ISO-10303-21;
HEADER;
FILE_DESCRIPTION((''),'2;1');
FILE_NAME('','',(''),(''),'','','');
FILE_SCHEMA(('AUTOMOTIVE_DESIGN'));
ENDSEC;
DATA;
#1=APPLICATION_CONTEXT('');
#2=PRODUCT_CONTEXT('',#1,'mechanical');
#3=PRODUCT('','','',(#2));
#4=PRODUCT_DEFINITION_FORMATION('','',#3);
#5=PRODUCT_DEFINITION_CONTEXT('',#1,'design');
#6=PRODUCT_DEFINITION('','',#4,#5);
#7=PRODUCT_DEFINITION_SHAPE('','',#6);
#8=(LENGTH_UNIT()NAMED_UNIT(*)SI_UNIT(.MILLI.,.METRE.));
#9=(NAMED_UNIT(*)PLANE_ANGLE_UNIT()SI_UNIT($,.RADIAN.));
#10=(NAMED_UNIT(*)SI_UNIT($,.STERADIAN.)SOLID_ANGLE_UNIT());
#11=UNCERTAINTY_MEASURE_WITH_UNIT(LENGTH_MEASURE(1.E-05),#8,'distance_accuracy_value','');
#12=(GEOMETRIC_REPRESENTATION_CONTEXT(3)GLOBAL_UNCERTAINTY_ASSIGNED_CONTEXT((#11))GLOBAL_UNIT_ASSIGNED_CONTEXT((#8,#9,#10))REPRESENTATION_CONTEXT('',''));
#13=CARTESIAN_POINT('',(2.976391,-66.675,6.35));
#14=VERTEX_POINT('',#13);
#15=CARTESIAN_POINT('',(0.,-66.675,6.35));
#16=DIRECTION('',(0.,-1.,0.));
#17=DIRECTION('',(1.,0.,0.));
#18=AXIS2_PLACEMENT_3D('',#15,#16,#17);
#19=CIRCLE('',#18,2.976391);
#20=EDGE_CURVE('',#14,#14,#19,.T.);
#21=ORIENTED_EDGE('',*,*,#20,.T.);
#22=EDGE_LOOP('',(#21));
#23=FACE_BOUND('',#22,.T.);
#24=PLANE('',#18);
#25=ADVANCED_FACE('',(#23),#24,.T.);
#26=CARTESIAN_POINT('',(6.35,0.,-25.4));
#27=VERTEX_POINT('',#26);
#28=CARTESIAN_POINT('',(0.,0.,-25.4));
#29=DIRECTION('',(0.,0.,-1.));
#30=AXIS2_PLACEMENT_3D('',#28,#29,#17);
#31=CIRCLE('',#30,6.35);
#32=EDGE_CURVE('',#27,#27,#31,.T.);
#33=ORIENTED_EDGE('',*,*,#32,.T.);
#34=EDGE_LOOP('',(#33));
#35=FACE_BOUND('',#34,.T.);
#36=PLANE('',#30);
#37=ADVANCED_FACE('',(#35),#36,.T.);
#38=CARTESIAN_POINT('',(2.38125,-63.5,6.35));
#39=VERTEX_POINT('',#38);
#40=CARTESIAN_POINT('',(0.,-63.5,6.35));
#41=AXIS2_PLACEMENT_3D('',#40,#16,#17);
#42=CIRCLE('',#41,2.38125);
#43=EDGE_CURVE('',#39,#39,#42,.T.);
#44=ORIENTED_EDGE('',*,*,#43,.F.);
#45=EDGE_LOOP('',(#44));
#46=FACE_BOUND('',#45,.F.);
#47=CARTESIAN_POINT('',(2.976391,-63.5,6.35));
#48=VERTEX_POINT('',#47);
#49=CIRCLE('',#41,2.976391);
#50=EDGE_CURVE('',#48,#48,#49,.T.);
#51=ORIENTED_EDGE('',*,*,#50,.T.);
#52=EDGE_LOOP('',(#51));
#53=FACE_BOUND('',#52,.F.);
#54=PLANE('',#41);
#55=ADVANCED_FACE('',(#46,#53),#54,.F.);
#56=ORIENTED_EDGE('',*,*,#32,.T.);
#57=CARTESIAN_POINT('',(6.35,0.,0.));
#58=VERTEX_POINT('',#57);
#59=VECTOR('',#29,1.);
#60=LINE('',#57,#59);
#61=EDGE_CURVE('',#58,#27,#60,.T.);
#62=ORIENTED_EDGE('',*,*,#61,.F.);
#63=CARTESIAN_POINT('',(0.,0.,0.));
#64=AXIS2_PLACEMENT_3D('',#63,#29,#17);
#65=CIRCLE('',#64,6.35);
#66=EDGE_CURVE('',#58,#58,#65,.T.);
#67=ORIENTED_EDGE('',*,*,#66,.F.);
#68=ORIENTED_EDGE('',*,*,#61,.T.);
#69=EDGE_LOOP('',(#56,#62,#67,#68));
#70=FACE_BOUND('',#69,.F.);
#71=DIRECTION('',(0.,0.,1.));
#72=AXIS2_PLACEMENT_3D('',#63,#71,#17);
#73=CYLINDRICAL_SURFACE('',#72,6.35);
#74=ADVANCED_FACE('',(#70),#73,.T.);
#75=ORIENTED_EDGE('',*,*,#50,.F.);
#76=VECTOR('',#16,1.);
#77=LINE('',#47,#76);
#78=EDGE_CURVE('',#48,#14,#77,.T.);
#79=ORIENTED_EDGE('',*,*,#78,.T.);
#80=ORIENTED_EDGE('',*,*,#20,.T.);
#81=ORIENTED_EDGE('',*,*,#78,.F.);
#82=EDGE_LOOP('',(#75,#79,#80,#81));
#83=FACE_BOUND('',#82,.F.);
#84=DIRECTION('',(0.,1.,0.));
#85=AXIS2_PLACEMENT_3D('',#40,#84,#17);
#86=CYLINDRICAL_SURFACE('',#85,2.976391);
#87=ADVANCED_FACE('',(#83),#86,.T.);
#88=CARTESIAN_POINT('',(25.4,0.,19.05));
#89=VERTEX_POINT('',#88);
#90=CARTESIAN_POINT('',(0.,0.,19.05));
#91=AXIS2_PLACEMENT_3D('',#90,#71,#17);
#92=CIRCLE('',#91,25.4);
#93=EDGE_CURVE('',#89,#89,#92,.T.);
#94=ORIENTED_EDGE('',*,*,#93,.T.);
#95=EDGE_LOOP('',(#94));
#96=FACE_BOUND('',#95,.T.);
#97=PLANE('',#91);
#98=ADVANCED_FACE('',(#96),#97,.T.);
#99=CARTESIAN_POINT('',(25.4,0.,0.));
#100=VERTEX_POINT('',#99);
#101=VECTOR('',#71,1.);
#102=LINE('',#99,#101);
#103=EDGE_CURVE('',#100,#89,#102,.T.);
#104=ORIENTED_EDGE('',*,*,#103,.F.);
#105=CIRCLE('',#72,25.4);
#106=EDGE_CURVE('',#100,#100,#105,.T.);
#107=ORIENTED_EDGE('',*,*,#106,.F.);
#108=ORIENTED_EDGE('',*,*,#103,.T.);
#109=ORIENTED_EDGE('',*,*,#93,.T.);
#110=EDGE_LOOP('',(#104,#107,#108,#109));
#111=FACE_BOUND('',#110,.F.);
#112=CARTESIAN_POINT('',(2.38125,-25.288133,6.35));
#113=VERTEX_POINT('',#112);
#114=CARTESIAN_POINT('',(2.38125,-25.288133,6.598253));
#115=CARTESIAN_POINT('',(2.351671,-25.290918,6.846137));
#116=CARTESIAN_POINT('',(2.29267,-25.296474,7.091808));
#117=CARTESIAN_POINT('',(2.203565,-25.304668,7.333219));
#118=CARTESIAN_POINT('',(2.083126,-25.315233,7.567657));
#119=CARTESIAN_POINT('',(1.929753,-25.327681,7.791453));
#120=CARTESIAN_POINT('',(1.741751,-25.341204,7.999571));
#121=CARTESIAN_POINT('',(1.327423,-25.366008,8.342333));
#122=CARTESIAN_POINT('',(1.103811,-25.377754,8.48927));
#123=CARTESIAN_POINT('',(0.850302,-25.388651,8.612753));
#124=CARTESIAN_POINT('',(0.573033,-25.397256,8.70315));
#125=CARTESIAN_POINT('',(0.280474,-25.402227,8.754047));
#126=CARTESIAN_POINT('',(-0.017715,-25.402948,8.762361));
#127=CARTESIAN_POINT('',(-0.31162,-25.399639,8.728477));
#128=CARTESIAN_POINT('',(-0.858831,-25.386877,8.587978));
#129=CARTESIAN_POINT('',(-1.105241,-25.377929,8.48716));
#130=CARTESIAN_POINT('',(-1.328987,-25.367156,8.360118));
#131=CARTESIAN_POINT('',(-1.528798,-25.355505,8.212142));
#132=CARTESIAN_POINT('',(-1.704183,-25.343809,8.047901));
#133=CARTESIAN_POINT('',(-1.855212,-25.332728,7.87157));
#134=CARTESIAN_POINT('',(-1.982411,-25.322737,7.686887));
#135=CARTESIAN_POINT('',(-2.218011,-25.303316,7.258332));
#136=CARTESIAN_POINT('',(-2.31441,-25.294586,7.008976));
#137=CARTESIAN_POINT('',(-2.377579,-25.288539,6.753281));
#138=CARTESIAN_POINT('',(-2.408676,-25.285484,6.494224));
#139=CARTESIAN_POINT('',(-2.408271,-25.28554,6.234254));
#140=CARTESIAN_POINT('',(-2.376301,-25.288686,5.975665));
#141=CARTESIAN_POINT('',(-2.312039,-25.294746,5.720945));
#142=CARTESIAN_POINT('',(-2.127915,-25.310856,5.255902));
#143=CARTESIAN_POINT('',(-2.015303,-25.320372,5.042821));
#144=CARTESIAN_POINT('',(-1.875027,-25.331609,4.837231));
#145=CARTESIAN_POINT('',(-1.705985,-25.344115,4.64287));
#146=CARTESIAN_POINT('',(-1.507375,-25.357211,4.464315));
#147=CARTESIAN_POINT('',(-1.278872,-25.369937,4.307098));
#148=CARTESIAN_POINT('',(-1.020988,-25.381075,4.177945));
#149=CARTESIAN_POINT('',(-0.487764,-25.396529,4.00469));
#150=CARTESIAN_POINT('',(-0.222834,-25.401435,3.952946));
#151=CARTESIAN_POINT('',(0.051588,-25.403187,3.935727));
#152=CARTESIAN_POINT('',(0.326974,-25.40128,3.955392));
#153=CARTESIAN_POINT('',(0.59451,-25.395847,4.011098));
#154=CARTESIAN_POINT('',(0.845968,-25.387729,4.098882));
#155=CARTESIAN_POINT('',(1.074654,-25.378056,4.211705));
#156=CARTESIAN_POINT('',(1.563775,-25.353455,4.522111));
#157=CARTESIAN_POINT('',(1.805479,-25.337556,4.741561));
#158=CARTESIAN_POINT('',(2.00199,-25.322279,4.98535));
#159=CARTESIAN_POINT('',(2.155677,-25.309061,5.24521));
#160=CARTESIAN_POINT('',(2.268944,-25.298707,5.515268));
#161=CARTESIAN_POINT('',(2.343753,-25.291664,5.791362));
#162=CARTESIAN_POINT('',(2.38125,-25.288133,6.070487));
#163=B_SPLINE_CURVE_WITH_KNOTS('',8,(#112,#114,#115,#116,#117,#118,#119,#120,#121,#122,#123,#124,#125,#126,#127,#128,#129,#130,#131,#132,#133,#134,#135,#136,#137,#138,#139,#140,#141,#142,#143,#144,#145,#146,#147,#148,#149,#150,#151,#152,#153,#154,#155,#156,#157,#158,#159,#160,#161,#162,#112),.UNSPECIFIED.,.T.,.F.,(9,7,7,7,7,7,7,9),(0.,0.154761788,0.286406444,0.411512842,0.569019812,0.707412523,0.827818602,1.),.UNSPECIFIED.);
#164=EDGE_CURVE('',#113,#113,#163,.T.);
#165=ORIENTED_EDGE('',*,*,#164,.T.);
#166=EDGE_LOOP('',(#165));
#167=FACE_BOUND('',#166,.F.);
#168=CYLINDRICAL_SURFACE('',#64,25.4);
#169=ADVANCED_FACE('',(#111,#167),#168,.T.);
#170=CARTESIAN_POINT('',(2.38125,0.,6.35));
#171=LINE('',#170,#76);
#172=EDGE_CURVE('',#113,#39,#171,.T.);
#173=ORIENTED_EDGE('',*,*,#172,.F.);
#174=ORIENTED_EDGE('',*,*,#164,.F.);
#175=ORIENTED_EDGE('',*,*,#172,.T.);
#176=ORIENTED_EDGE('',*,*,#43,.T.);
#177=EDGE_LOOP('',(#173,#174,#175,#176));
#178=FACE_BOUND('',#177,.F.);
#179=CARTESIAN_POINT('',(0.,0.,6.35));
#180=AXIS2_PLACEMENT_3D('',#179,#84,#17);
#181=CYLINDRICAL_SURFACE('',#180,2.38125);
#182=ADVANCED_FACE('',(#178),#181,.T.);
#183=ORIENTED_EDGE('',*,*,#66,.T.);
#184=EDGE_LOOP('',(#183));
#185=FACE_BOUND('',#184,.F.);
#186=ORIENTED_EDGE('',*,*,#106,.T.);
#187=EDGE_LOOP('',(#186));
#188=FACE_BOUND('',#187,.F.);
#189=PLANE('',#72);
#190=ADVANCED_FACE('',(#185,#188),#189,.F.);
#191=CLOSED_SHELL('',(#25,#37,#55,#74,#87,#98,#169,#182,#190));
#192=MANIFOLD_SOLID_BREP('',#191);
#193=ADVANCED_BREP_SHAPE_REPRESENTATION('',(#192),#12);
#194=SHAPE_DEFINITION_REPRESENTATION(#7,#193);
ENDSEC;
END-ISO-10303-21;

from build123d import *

# Parameters (mm, degrees)
F0_R      = 25.4
F1_DEPTH  = 19.05
F2_R      = 25.4
F2_R_2    = 22.225
F3_DEPTH  = 3.175
F4_R      = 2.38125
F5_DEPTH  = 63.5
F6_R      = 2.9763912457
F6_R_2    = 2.38125
F7_DEPTH  = 3.175
F8_R      = 22.6060003042
F9_DEPTH  = 3.175
F10_R     = 6.35
F11_DEPTH = 25.4


with BuildPart() as f1:
    # F0 (on Top) → F1 (new body)
    with BuildSketch(Plane.XY):
        Circle(F0_R)
    extrude(amount=F1_DEPTH)

    # F2 (on face) → F3 (join)
    with BuildSketch(Plane.XY.offset(19.05)):
        Circle(F2_R)
        Circle(F2_R_2, mode=Mode.SUBTRACT)
    extrude(amount=-F3_DEPTH)

    # F4 (on Front) → F5 (join)
    with BuildSketch(Plane.XZ):
        with Locations((0, 6.35)):
            Circle(F4_R)
    extrude(amount=F5_DEPTH)

    # F6 (on face) → F7 (join)
    with BuildSketch(Plane.XZ.offset(63.5)):
        with Locations((0, 6.35)):
            Circle(F6_R)
        with Locations((0, 6.35)):
            Circle(F6_R_2, mode=Mode.SUBTRACT)
        with Locations((0, 6.35)):
            Circle(F6_R_2)
    extrude(amount=F7_DEPTH)

    # F8 (on face) → F9 (join)
    with BuildSketch(Plane.XY.offset(19.05)):
        Circle(F8_R)
    extrude(amount=-F9_DEPTH)

    # F10 (on face) → F11 (join)
    with BuildSketch(Plane(origin=(0, 0, 0), x_dir=(1, 0, 0), z_dir=(0, 0, -1))):
        Circle(F10_R)
    extrude(amount=F11_DEPTH)


solid = f1.part
